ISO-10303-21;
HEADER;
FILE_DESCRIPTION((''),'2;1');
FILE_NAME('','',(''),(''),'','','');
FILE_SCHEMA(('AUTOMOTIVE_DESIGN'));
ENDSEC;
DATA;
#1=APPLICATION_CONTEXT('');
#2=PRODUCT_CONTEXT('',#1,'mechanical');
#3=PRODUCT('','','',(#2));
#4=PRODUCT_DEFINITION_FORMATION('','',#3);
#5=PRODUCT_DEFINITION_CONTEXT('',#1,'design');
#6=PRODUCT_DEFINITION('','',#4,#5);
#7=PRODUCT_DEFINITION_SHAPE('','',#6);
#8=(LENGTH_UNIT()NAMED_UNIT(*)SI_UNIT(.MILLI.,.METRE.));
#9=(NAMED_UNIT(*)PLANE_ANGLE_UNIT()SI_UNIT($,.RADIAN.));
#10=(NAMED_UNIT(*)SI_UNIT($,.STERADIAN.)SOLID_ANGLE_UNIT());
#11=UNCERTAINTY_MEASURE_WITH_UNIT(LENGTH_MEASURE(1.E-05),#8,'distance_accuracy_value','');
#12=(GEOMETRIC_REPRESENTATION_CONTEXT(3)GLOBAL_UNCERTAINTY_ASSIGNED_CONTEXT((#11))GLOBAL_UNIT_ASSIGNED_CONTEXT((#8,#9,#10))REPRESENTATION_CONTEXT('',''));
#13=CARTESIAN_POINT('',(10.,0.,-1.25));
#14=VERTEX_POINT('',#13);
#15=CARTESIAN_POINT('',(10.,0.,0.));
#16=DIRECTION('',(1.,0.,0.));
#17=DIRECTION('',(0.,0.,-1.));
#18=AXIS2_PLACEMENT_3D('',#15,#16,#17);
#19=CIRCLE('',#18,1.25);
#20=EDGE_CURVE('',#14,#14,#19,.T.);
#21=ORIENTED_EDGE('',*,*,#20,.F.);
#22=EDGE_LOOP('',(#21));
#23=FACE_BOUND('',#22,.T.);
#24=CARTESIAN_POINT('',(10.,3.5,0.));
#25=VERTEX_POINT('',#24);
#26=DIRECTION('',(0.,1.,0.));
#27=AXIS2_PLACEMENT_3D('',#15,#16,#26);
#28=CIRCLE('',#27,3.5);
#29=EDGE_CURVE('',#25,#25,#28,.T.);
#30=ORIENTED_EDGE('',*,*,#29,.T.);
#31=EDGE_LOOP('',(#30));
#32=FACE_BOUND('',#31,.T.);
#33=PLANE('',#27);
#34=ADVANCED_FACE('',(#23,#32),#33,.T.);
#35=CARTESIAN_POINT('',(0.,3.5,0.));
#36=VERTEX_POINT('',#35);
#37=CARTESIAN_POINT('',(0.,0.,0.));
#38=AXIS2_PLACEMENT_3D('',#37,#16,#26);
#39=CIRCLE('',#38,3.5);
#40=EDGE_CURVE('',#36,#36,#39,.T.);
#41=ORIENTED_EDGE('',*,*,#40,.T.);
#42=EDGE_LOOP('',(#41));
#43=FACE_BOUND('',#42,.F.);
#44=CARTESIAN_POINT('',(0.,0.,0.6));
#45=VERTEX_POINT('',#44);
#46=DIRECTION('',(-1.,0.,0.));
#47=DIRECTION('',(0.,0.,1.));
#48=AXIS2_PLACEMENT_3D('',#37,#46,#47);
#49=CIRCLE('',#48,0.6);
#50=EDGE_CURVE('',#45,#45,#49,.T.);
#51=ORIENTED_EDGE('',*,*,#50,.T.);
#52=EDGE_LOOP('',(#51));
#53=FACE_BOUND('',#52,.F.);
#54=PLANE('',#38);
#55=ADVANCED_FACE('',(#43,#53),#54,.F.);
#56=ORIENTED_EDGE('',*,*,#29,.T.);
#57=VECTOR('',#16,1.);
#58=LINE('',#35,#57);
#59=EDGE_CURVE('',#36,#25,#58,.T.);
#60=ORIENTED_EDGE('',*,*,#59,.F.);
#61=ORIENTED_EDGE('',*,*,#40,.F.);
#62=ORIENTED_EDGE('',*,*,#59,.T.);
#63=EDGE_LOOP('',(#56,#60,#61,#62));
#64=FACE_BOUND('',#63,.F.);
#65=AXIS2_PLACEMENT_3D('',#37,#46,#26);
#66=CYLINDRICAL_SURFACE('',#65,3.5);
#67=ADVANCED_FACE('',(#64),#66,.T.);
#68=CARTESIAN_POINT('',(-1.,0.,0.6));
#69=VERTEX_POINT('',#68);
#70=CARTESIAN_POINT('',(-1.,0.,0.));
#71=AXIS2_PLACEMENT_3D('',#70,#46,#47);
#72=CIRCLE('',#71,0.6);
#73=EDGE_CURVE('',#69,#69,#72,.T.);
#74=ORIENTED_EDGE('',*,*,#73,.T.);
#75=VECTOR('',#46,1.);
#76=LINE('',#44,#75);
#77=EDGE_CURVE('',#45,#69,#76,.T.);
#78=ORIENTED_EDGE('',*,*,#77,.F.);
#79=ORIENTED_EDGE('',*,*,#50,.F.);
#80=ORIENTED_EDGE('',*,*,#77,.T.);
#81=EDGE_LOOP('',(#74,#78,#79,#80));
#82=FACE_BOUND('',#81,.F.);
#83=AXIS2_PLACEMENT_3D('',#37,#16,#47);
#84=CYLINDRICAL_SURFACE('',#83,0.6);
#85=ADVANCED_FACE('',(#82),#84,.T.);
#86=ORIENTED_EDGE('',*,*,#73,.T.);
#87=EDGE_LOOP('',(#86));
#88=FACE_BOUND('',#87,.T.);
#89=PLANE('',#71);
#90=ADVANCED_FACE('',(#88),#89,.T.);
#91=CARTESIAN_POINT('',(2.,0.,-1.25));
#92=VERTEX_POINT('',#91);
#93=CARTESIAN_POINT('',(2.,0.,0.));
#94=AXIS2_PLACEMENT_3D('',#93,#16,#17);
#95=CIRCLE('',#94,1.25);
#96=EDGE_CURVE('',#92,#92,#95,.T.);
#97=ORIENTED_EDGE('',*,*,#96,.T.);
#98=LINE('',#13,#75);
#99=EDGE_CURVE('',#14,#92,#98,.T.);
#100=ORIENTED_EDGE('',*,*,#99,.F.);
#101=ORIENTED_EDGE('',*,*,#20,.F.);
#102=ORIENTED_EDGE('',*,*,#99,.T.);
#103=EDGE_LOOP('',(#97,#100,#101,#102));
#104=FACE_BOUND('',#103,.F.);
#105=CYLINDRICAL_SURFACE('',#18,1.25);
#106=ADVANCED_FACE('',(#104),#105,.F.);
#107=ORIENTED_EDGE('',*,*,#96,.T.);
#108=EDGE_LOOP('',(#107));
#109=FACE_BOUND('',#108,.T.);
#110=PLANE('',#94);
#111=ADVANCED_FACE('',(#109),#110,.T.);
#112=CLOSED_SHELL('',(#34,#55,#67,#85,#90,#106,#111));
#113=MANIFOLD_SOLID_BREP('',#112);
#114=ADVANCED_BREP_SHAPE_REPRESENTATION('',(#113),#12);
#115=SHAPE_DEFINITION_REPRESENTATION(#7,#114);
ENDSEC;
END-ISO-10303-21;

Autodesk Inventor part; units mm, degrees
ref_plane "YZ Plane" through (0, 0, 0) normal (1, 0, 0) x (0, 1, 0)
ref_plane "XZ Plane" through (0, 0, 0) normal (0, 1, 0) x (-1, 0, 0)
ref_plane "XY Plane" through (0, 0, 0) normal (0, 0, 1) x (1, 0, 0)
sketch "Эскиз1" plane through (0, 0, 0) normal (1, 0, 0) x (0, 1, 0)
  circle A0 centre (0, 0) radius 3.5
  dimension "d0" = 7
extrude "Выдавливание1" add sketch "Эскиз1" along normal blind 10
sketch "Эскиз2" plane through (0, 0, 0) normal (-1, 0, 0) x (0, 0, 1)
  circle A0 centre (0, 0) radius 0.6
  dimension "d3" = 1.2
extrude "Выдавливание2" add sketch "Эскиз2" along normal blind 1
sketch "Эскиз3" plane through (10, 0, 0) normal (1, 0, 0) x (0, 0, -1)
  circle A0 centre (0, 0) radius 0.6 projected
  circle A1 centre (0, 0) radius 1.25
  dimension "d6" = 2.5
extrude "Выдавливание3" cut sketch "Эскиз3" against normal blind 8 contours A0 | A1
thread "Резьба1" size "M2.5x0.45" class "6H" standard "ANSI Metric M Profile" full length
properties part number "Bush_Phase" material "Медь"
